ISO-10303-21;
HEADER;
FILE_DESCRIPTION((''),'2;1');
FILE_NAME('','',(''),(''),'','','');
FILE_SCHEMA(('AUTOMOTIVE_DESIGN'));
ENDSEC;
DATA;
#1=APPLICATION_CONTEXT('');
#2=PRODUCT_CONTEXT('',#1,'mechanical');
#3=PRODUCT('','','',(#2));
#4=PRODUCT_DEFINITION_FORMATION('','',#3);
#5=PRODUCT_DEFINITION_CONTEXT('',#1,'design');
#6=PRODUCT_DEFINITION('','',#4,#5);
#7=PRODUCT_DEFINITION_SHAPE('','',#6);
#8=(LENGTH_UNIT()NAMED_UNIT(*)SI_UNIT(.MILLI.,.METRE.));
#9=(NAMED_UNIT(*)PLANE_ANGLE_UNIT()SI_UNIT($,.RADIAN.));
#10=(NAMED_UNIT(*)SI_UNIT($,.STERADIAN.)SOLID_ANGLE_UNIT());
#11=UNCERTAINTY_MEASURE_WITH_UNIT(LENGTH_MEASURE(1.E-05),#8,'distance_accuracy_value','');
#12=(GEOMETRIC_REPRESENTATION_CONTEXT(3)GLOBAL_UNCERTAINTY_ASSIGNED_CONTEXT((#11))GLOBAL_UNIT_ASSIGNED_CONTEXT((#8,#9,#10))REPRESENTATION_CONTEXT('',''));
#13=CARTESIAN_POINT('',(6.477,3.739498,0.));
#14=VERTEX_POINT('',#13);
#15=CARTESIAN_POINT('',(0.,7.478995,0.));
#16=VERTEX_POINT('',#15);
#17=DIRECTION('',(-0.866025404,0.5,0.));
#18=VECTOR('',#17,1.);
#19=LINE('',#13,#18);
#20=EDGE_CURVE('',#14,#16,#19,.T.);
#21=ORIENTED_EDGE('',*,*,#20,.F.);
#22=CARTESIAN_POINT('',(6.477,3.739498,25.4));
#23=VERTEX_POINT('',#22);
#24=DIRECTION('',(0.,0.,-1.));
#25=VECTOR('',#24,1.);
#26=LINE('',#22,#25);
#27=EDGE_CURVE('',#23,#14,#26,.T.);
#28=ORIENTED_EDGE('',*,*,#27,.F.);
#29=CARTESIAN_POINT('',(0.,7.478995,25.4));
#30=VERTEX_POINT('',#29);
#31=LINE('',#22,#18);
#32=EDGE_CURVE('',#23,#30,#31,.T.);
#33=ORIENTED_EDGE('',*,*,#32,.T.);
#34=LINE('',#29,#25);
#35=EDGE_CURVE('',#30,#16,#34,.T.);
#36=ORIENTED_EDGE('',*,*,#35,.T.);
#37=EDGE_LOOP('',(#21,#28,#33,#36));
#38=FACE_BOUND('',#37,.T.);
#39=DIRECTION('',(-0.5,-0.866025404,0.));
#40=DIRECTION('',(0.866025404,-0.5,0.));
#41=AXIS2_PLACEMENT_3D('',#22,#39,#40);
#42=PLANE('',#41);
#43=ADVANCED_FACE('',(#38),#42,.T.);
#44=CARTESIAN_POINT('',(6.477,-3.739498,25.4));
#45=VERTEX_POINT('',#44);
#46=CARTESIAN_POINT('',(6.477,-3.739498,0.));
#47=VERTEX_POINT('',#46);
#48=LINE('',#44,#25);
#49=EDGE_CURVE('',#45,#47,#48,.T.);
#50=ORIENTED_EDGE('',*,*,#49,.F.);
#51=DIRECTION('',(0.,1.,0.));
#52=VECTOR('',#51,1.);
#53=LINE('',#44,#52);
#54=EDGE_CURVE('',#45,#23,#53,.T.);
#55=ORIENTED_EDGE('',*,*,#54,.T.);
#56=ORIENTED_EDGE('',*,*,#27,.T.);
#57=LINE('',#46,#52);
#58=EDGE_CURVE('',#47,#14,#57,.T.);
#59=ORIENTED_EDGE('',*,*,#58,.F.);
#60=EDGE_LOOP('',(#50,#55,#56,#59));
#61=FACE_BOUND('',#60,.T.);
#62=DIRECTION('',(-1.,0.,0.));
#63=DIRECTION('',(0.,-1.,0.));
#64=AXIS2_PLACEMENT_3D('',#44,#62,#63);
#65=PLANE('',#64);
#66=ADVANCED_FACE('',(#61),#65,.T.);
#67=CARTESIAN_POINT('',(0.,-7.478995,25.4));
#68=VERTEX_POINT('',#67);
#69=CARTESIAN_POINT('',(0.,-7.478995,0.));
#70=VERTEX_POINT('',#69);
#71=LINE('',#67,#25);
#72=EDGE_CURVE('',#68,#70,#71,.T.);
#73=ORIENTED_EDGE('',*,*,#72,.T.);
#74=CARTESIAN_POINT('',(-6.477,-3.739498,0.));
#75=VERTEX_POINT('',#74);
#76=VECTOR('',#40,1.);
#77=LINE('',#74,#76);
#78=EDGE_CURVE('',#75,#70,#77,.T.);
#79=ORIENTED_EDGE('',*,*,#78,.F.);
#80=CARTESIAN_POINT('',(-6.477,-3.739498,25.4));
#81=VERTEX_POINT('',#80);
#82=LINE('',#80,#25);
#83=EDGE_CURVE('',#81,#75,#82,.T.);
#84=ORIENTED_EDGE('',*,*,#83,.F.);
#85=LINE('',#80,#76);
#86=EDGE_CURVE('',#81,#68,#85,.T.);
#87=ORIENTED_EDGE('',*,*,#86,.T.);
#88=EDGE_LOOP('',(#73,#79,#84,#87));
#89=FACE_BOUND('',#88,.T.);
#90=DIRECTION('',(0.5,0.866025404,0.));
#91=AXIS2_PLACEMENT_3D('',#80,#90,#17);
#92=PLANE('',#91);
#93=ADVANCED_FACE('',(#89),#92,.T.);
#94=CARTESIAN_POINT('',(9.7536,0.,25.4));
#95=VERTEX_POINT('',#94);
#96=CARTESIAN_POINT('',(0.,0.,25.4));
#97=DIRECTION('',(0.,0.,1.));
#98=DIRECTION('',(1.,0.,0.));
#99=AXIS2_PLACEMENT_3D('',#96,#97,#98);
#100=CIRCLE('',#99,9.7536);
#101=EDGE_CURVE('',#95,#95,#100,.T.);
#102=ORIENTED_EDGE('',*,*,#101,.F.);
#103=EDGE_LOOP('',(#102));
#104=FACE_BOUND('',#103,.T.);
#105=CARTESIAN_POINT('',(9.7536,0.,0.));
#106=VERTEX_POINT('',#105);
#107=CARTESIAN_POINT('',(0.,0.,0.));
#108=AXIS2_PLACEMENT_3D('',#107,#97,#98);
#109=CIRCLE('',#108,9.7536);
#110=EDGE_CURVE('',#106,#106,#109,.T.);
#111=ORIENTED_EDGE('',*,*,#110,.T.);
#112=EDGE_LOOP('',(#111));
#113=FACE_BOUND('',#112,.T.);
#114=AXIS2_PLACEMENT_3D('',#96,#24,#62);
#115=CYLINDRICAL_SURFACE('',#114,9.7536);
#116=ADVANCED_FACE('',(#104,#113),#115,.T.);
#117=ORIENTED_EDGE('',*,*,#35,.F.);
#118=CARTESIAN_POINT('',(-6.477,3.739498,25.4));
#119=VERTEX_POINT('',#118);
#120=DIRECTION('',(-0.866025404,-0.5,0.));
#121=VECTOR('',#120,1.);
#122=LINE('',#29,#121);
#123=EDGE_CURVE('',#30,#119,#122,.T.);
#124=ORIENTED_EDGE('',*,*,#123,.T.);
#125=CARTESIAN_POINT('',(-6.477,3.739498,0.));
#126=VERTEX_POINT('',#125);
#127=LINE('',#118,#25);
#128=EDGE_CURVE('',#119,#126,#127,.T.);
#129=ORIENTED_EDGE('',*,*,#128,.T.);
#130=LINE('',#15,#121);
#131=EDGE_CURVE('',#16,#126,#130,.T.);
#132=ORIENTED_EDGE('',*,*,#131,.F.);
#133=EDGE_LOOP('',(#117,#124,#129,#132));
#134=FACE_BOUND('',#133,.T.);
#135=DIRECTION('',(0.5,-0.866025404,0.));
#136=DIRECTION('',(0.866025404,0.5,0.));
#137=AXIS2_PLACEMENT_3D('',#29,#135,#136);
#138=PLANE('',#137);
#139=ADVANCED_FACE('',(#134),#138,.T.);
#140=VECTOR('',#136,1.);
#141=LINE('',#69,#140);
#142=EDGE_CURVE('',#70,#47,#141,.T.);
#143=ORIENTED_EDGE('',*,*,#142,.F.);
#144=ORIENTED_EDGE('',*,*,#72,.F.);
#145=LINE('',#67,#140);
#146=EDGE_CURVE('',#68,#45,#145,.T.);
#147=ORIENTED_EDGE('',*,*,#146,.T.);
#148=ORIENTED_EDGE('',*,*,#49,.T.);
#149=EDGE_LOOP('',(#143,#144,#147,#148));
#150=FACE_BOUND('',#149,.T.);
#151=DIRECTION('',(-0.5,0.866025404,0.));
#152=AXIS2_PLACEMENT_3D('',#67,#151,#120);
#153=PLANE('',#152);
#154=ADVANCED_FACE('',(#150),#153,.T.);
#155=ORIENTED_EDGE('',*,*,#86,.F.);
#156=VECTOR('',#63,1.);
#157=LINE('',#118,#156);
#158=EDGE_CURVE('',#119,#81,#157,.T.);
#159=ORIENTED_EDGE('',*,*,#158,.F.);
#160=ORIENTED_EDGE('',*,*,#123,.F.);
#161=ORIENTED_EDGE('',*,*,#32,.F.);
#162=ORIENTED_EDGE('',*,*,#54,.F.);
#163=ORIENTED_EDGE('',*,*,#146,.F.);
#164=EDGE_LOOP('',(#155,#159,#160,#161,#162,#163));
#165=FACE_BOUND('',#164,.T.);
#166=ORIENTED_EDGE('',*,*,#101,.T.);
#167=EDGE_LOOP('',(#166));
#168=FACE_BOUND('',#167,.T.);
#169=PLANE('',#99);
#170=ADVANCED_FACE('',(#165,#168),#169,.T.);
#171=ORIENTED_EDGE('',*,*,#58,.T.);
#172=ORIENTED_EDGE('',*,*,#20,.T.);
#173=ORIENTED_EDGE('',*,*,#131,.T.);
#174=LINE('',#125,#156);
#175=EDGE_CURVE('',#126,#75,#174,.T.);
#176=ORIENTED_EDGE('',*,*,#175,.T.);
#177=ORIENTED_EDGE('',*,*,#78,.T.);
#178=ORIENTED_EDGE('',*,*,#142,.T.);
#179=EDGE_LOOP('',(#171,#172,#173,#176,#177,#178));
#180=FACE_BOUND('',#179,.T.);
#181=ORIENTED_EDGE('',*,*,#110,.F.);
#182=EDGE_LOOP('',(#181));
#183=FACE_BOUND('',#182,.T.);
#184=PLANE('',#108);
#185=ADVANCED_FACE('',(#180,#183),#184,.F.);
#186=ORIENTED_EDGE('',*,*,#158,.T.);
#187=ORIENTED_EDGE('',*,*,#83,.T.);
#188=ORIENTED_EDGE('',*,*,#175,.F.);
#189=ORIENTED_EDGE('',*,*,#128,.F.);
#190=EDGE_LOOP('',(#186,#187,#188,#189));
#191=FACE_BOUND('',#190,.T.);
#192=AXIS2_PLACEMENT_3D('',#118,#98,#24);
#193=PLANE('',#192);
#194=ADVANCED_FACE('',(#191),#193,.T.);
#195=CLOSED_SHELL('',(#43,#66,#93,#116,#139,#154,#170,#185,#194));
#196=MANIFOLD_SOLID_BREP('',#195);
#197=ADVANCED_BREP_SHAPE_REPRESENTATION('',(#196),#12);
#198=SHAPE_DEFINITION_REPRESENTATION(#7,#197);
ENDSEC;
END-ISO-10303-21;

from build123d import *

# Parameters (mm, degrees)
SKETCH1_R           = 9.7536
BOSS_EXTRUDE1_DEPTH = 25.4


with BuildPart() as part:
    # Sketch1 → Boss-Extrude1 (new body)
    with BuildSketch(Plane.XY):
        Circle(SKETCH1_R)
        Polygon((0, 7.478995387), (-6.477, 3.739497694), (-6.477, -3.739497694), (0, -7.478995387), (6.477, -3.739497694), (6.477, 3.739497694), align=None, mode=Mode.SUBTRACT)
    extrude(amount=BOSS_EXTRUDE1_DEPTH)


solid = part.part
